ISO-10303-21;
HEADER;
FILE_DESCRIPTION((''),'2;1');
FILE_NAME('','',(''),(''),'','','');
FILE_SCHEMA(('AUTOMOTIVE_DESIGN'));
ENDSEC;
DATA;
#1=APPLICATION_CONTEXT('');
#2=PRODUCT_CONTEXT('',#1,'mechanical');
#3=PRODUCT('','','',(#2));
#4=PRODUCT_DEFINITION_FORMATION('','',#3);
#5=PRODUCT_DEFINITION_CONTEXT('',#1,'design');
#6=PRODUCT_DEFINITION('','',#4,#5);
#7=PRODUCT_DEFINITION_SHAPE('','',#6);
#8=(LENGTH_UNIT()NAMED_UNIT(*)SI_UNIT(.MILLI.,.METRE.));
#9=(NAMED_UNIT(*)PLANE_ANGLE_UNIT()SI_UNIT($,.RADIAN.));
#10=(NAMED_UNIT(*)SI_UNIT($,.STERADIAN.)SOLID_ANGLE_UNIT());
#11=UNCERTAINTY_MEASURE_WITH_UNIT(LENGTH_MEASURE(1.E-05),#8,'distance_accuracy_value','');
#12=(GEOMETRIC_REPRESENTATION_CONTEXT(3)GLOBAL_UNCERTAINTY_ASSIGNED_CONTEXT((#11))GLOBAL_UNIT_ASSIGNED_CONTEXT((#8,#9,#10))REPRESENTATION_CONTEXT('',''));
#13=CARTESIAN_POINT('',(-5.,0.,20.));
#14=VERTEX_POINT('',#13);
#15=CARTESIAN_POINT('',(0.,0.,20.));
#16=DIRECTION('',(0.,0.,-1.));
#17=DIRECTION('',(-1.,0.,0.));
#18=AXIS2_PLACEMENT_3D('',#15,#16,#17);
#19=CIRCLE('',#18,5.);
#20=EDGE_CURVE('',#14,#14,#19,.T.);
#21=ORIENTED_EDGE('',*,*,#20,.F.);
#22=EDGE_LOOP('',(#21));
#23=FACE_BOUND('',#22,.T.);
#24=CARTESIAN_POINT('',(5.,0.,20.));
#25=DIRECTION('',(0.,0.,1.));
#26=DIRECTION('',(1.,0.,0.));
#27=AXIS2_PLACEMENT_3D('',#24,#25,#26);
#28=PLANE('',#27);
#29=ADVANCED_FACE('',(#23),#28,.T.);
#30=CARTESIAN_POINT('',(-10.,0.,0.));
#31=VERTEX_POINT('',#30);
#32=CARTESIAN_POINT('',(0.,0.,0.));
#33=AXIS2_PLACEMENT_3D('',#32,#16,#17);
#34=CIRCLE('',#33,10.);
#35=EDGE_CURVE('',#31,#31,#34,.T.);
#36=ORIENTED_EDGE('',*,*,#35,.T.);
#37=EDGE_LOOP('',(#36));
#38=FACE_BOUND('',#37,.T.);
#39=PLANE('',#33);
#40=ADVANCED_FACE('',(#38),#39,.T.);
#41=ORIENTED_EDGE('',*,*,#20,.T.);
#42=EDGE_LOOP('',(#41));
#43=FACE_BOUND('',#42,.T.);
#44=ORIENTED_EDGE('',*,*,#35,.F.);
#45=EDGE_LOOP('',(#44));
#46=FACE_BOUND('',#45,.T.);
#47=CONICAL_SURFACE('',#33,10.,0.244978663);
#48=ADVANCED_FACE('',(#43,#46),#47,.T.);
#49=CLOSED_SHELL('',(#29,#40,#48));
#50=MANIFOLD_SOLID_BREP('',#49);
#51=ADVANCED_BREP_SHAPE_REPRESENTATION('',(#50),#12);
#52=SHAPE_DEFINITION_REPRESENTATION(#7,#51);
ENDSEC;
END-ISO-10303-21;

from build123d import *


with BuildPart() as part:
    # sketch:main-profile → feature:frustum (revolve)
    with BuildSketch(Plane.XZ, mode=Mode.PRIVATE) as feature_frustum_sk:
        Polygon((0, 0), (10, 0), (5, 20), (0, 20), align=None)
    revolve(feature_frustum_sk.sketch.rotate(Axis((0, 0, -5), (0, 0, 1)), 180), axis=Axis((0, 0, -5), (0, 0, 1)))


solid = part.part
